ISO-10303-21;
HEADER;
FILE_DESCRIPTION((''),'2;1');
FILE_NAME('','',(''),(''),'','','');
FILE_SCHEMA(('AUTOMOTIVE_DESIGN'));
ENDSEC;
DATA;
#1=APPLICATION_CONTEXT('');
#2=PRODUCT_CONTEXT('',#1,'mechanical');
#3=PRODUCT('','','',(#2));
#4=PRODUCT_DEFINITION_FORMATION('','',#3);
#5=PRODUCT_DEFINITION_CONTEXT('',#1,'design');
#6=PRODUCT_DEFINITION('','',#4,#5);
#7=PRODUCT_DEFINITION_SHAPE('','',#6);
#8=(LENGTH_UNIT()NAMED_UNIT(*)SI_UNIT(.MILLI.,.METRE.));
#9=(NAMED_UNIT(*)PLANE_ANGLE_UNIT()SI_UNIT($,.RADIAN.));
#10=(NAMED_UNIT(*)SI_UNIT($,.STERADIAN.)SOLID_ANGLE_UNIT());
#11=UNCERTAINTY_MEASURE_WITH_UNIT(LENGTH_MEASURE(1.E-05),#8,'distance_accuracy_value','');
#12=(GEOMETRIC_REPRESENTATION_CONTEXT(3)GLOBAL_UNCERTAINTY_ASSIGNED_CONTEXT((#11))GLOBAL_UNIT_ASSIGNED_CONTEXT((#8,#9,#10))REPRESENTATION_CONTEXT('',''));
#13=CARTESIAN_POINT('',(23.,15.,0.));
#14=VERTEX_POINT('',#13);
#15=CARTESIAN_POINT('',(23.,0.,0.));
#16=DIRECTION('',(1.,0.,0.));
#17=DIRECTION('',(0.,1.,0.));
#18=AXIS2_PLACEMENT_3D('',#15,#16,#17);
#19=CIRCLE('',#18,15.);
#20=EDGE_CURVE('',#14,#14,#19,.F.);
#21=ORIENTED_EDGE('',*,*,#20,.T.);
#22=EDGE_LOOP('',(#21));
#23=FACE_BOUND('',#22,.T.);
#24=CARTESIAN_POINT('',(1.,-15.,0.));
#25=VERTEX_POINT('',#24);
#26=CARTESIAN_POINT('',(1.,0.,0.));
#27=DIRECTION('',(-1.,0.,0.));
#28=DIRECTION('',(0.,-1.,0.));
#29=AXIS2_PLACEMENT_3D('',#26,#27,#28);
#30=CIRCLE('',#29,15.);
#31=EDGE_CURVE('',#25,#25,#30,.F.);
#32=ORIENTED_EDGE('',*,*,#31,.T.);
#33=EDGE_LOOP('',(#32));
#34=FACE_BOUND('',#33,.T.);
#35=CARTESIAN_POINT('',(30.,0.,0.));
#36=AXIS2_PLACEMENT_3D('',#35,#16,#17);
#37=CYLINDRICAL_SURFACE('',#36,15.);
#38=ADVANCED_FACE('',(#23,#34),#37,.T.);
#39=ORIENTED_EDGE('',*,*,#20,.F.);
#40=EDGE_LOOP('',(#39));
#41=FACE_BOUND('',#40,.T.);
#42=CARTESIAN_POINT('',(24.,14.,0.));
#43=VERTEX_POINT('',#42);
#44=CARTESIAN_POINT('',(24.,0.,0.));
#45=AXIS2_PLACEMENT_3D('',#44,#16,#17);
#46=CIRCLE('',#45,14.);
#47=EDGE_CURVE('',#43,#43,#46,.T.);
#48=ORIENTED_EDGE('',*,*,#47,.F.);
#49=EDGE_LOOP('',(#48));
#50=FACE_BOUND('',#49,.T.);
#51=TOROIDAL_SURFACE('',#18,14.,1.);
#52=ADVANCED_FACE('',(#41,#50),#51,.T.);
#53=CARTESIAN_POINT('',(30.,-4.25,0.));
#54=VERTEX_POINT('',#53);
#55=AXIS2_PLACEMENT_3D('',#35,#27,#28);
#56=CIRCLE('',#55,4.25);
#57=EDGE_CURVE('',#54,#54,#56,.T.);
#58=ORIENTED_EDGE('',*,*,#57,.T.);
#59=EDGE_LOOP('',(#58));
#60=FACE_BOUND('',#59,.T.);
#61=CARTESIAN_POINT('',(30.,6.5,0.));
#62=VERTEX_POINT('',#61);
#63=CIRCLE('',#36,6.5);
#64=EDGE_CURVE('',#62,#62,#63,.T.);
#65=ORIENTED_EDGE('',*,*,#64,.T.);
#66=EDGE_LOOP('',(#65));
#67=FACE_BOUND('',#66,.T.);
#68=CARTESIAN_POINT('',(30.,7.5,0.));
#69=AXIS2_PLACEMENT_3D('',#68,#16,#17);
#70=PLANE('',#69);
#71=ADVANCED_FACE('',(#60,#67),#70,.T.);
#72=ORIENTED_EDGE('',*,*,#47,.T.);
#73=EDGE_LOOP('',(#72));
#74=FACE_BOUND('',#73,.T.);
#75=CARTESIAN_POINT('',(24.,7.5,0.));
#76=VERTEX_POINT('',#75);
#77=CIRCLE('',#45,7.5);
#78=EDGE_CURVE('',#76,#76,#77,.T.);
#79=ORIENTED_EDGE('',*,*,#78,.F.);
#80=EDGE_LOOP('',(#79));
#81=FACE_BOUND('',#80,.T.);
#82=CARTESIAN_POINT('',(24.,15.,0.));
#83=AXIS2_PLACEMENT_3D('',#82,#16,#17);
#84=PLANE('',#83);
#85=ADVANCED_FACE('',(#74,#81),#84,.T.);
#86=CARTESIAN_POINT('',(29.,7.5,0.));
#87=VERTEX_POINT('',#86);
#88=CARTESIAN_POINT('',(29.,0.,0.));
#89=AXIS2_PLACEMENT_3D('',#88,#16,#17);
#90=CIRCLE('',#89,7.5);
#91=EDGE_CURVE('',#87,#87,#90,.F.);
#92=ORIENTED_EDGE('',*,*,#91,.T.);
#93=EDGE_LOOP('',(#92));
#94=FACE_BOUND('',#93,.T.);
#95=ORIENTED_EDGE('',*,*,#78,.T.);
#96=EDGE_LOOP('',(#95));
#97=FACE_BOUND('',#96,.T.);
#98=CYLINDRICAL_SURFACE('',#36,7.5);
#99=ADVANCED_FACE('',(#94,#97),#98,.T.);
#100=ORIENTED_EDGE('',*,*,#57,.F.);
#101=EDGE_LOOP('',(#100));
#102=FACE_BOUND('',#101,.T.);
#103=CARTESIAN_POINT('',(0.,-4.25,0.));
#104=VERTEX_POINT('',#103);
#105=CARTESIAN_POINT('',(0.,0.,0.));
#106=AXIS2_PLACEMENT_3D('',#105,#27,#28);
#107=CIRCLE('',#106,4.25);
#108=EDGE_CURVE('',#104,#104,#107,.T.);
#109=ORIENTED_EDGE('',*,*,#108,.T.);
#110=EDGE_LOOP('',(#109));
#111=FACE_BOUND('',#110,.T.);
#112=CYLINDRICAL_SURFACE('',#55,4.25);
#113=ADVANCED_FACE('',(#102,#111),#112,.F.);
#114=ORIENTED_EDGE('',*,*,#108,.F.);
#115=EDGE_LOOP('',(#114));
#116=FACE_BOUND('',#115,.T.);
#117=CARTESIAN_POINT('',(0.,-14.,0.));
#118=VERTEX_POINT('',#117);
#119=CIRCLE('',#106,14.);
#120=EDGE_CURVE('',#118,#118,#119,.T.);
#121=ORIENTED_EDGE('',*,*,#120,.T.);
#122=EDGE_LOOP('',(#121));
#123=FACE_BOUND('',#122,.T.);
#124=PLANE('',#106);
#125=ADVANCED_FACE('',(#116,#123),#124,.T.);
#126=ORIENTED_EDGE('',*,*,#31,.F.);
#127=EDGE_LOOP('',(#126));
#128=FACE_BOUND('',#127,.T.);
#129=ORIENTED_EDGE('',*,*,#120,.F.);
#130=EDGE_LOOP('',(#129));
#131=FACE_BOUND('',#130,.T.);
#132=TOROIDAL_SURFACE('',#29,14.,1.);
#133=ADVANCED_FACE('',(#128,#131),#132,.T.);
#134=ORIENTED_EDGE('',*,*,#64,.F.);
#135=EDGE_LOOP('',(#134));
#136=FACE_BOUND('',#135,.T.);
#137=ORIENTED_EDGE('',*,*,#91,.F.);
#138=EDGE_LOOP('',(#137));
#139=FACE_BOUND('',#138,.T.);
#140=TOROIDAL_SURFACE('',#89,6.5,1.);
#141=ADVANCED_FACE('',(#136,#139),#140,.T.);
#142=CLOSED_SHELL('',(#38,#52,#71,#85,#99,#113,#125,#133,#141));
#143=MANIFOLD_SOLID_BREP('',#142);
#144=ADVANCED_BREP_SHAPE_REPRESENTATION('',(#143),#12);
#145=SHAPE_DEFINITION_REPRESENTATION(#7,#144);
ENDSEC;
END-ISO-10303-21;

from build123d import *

# Parameters (mm, degrees)
IZIM2_R               = 4.25
KES_EKSTR_ZYON1_DEPTH = 30
RADYUS1_R             = 1


with BuildPart() as part:
    # Çizim1 → Döndür1 (revolve)
    with BuildSketch(Plane.XY):
        Polygon((0, 0), (0, 15), (24, 15), (24, 7.5), (30, 7.5), (30, 0), align=None)
    revolve(axis=Axis((30, 0, 0), (-1, 0, 0)))

    # Çizim2 → Kes-Ekstrüzyon1 (cut)
    with BuildSketch(Plane.ZY):
        with Locations(Location((0, 0, 0), (0, 0, 270))):
            Circle(IZIM2_R)
    extrude(amount=-KES_EKSTR_ZYON1_DEPTH, mode=Mode.SUBTRACT)

    # Radyus1
    radyus1_edges = [part.edges().sort_by_distance(p)[0] for p in [
        (30, -7.5, 0),
        (24, -15, 0),
        (0, -15, 0),
    ]]
    fillet(radyus1_edges, radius=RADYUS1_R)


solid = part.part
